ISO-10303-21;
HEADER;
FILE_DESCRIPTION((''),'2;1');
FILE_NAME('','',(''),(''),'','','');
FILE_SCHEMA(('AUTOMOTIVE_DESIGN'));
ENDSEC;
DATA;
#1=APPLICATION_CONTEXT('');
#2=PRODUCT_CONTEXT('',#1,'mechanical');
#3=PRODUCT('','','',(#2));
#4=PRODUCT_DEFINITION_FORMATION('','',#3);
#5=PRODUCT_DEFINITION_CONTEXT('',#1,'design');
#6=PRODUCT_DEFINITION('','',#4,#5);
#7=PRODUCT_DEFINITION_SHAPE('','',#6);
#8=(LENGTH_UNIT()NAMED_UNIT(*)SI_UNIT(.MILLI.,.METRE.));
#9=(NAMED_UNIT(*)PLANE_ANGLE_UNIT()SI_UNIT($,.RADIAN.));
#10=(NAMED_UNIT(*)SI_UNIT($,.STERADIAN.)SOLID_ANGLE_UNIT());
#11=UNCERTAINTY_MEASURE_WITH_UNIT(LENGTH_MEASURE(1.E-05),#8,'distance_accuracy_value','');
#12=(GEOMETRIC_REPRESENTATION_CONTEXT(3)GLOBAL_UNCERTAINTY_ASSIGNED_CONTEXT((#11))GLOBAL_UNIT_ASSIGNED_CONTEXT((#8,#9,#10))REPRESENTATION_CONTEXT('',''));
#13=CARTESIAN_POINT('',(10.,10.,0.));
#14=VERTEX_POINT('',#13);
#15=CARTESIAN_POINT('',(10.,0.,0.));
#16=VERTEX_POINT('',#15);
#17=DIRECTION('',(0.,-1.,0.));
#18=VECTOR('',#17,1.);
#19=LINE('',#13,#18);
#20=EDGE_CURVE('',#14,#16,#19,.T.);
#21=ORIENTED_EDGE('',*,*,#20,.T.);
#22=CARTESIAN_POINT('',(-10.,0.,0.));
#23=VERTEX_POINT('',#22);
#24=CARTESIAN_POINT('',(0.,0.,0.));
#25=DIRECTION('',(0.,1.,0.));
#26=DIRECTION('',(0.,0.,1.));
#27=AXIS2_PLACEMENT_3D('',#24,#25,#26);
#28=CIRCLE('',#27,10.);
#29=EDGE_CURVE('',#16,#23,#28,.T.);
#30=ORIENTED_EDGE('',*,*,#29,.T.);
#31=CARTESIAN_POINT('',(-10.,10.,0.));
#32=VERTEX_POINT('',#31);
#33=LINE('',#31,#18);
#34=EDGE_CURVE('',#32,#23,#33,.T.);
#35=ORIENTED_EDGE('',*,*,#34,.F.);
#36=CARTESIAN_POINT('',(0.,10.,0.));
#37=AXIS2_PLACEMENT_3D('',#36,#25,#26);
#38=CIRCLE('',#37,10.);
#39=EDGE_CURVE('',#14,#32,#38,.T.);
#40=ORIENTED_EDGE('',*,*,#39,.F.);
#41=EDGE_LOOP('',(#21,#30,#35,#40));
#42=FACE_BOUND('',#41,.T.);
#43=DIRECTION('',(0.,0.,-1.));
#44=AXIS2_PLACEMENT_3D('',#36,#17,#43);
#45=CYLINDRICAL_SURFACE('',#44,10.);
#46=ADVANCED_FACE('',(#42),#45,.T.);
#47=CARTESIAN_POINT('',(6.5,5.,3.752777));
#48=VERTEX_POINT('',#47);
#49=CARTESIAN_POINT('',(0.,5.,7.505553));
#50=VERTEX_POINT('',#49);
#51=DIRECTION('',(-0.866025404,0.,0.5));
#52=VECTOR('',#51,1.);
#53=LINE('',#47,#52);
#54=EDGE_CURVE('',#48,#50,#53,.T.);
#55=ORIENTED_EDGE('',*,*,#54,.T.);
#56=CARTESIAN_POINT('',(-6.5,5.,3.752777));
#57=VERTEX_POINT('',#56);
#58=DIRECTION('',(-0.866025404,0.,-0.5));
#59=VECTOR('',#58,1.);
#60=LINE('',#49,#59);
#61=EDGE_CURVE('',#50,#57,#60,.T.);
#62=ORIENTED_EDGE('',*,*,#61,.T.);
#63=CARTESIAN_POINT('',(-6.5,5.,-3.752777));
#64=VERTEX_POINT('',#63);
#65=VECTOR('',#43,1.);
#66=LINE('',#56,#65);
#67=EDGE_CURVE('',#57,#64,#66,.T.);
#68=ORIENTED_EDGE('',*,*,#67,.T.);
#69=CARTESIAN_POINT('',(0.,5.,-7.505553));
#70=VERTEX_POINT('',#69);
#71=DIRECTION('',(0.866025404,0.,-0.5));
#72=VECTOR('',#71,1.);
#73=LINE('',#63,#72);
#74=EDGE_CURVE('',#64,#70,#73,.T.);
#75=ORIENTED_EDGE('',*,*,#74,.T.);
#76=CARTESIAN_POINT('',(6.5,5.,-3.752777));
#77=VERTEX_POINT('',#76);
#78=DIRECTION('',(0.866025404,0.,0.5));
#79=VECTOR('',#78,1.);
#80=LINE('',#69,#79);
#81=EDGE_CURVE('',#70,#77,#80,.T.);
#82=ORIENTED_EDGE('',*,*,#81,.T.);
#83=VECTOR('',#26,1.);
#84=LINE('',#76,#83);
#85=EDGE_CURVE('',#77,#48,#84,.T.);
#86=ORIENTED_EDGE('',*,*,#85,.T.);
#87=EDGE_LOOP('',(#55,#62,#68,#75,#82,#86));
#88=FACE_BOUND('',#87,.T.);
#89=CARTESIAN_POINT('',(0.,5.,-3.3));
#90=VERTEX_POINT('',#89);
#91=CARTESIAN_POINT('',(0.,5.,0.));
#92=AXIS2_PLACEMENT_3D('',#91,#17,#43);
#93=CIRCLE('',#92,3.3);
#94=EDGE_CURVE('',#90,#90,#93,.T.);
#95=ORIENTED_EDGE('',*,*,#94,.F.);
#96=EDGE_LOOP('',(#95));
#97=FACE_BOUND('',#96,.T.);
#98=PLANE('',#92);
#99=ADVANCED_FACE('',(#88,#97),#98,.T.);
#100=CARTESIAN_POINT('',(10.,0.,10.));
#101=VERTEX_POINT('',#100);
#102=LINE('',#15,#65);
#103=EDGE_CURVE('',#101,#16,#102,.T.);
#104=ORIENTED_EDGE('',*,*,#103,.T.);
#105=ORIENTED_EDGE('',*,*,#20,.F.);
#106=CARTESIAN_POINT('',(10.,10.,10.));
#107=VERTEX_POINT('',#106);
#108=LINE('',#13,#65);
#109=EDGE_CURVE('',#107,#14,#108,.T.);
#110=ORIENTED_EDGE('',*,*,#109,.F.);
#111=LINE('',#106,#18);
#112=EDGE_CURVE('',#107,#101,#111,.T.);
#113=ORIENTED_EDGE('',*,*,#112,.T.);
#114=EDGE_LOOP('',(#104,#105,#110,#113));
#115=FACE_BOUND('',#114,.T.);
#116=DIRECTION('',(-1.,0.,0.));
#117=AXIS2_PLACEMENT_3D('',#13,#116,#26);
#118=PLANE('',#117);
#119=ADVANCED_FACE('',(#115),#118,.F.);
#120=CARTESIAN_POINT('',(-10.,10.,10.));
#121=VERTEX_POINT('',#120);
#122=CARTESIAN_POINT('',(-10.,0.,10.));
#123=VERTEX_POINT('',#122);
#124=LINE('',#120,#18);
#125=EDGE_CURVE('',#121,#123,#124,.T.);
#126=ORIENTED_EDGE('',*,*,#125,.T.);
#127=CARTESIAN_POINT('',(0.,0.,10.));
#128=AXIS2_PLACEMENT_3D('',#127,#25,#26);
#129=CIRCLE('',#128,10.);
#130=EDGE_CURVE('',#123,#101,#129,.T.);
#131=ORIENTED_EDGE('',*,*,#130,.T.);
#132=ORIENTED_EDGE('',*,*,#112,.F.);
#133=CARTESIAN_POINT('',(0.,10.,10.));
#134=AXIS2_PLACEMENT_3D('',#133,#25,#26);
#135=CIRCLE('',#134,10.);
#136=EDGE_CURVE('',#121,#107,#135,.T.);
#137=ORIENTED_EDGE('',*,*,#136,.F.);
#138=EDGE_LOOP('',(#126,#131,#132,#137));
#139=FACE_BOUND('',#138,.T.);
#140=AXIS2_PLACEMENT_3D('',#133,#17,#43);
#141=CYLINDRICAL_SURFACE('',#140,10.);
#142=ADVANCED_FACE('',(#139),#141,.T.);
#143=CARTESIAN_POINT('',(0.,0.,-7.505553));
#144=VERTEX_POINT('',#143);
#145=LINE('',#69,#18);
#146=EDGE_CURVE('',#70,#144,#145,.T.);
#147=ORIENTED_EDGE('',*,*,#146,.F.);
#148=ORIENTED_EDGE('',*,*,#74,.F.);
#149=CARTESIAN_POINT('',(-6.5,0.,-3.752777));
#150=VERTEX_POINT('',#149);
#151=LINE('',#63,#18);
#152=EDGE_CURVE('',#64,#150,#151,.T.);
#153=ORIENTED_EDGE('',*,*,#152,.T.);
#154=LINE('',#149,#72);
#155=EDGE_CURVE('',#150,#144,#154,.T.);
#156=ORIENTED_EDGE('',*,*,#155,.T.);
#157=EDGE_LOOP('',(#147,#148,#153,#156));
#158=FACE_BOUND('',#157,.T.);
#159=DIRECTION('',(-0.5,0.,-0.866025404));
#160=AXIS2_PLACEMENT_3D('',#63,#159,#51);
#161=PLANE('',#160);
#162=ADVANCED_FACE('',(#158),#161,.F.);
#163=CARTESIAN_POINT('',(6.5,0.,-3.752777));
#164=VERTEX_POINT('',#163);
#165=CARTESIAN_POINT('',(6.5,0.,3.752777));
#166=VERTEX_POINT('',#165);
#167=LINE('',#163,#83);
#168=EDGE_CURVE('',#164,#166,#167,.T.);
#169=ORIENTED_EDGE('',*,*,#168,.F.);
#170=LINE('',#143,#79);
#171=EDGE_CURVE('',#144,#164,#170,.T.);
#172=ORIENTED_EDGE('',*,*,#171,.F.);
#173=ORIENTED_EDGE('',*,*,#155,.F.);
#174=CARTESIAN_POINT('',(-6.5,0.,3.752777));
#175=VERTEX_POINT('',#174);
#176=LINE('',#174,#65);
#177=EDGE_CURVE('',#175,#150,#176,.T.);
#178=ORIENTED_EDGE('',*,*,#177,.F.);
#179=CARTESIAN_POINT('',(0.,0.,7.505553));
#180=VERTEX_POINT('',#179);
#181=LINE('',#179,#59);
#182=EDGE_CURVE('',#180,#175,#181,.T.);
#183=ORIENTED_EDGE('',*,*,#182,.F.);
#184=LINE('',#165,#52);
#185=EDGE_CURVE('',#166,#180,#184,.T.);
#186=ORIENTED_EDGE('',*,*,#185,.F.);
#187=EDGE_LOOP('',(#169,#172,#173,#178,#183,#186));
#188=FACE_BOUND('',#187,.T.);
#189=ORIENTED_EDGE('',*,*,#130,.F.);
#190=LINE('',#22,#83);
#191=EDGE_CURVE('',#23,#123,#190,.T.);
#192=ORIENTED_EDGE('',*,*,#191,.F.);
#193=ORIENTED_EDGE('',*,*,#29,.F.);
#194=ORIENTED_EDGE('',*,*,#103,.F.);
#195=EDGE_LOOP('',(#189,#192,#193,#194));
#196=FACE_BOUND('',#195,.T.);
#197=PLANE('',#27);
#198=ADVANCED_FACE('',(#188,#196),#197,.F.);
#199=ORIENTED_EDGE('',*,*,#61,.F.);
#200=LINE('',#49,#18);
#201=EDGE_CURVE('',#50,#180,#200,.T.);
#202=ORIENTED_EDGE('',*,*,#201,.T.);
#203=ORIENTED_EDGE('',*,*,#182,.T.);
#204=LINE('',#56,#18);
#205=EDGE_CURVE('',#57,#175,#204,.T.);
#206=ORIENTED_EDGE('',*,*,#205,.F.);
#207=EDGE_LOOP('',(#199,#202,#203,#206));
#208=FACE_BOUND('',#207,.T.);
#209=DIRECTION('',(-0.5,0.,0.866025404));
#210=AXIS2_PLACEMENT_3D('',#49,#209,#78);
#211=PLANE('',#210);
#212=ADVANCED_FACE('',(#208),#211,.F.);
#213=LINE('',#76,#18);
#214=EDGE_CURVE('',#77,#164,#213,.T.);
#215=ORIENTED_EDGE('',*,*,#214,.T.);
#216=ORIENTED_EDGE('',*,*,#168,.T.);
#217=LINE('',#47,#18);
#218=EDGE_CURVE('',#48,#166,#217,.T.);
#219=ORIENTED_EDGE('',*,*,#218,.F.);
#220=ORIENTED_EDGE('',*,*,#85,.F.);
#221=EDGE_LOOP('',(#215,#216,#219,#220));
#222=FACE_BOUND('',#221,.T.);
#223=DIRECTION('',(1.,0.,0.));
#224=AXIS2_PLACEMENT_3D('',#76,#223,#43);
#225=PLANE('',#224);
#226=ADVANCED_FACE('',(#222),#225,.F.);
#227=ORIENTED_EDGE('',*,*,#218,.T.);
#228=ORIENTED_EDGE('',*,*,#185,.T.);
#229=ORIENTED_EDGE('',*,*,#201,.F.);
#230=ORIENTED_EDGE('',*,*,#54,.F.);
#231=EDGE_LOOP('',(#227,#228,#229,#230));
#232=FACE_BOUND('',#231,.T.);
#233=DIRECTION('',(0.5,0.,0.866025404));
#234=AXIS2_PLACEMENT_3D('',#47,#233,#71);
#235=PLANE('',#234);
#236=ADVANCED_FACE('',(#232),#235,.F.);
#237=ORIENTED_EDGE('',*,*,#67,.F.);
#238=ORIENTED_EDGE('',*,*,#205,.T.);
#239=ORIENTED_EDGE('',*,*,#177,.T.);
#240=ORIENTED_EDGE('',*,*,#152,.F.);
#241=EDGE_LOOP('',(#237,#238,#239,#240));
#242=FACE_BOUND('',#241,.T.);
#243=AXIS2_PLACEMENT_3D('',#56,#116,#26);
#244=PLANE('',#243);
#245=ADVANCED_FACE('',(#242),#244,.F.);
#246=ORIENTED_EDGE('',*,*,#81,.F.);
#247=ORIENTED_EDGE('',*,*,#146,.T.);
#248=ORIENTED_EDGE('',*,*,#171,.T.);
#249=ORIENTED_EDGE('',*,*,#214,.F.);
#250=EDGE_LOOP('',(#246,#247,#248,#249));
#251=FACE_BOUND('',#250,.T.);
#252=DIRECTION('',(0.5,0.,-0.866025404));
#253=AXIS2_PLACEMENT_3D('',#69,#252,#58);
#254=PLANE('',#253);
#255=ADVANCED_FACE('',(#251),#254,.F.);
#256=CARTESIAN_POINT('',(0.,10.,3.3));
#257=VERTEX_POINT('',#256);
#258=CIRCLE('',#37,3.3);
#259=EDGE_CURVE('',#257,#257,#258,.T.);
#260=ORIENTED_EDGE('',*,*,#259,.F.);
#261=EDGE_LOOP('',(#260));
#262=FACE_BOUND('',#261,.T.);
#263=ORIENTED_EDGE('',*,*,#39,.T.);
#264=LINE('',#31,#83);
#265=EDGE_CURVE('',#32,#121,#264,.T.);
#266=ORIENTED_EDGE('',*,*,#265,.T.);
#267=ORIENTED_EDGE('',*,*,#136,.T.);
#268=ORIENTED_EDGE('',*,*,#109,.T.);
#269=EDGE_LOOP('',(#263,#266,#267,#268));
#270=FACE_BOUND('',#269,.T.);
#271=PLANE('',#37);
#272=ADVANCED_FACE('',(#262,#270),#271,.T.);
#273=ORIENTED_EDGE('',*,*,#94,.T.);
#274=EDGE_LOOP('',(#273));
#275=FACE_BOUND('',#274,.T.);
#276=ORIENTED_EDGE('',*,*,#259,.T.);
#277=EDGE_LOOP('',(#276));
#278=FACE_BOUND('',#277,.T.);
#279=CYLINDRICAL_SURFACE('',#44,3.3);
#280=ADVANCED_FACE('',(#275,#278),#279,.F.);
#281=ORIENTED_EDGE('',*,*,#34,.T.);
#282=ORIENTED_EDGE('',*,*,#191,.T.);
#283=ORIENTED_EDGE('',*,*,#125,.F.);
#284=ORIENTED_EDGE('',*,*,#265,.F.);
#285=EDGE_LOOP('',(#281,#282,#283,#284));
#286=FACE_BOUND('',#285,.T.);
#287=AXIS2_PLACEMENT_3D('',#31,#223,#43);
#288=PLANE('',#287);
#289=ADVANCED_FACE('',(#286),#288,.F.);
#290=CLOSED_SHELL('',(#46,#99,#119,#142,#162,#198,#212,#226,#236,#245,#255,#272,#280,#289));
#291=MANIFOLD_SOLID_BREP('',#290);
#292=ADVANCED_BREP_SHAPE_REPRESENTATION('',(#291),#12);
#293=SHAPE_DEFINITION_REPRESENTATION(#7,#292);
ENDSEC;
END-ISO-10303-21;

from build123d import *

# Parameters (mm, degrees)
SKETCH1_R           = 3.3
BOSS_EXTRUDE1_DEPTH = 10
CUT_EXTRUDE1_DEPTH  = 5


with BuildPart() as part:
    # Sketch1 → Boss-Extrude1 (new body)
    with BuildSketch(Plane(origin=(0, 0, 0), x_dir=(1, 0, 0), z_dir=(0, 1, 0))):
        with BuildLine():
            Line((10, 0), (10, -10))
            ThreePointArc((10, -10), (0, -20), (-10, -10))
            Line((-10, -10), (-10, 0))
            ThreePointArc((-10, 0), (0, 10), (10, 0))
        make_face()
        with Locations(Location((0, 0, 0), (0, 0, 270))):
            Circle(SKETCH1_R, mode=Mode.SUBTRACT)
    extrude(amount=BOSS_EXTRUDE1_DEPTH)

    # Sketch2 → Cut-Extrude1 (cut)
    with BuildSketch(Plane.XZ):
        Polygon((6.5, 3.75277675), (0, 7.505553499), (-6.5, 3.75277675), (-6.5, -3.75277675), (0, -7.505553499), (6.5, -3.75277675), align=None)
    extrude(amount=-CUT_EXTRUDE1_DEPTH, mode=Mode.SUBTRACT)


solid = part.part
